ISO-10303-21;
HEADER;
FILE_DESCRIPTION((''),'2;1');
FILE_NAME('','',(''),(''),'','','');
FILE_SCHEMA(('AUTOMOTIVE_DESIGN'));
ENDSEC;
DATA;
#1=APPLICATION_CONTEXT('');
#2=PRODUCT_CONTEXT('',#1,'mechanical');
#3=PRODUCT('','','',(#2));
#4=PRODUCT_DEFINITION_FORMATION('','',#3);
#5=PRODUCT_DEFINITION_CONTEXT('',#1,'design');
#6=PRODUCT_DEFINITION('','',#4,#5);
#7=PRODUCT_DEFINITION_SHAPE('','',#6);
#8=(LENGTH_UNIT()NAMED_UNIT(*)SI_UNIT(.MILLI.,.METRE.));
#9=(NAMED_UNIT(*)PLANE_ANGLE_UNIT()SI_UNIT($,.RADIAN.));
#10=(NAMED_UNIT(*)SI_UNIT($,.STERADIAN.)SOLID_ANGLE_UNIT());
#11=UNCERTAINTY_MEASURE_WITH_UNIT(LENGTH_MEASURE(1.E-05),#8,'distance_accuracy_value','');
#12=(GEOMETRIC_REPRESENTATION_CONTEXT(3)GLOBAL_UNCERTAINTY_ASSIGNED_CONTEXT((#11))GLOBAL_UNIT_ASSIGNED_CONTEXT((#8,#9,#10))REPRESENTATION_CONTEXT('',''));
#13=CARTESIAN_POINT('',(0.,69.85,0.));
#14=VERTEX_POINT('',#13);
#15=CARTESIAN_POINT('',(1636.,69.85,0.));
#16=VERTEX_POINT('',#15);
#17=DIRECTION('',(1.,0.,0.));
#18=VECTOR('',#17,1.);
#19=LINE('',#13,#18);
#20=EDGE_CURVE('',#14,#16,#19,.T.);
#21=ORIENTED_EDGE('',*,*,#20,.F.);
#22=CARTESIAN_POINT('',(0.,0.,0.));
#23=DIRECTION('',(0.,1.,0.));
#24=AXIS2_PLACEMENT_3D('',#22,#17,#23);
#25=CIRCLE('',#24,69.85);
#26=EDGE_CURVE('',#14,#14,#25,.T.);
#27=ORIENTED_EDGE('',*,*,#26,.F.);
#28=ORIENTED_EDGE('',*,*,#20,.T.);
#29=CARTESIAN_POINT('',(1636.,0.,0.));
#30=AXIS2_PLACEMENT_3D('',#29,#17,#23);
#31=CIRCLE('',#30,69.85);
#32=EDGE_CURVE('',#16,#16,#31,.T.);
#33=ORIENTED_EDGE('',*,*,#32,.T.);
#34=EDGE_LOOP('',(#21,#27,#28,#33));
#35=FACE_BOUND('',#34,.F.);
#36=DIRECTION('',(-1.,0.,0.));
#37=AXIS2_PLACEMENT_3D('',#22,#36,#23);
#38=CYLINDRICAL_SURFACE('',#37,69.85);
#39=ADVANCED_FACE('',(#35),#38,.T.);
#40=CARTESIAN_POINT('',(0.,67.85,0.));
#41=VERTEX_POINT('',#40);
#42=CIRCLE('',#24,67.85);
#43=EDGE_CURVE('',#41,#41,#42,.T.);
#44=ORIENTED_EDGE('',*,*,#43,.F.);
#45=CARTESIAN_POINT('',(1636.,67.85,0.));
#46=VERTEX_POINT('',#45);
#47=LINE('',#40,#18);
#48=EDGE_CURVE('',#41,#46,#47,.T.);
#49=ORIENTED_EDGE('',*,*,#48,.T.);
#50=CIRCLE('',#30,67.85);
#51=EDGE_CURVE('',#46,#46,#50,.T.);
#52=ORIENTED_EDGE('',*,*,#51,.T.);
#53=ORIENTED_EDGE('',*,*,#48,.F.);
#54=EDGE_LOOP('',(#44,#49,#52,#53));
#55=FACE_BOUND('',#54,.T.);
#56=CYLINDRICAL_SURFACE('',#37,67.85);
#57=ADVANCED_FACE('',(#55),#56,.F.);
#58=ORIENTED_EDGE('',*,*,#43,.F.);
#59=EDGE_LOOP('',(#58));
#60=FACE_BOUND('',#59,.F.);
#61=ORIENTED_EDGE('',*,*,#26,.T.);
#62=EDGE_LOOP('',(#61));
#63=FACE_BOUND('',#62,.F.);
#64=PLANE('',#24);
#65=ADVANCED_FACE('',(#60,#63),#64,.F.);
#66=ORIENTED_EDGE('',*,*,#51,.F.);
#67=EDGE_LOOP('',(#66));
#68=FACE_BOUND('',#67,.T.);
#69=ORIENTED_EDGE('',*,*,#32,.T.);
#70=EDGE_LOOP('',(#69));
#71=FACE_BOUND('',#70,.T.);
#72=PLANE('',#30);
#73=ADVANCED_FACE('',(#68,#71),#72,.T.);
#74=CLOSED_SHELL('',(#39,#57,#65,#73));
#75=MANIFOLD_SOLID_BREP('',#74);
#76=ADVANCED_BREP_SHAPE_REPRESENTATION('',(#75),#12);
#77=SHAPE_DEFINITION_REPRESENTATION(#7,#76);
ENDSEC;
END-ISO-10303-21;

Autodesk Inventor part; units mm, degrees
ref_plane "YZ Plane" through (0, 0, 0) normal (1, 0, 0) x (0, 1, 0)
ref_plane "XZ Plane" through (0, 0, 0) normal (0, 1, 0) x (-1, 0, 0)
ref_plane "XY Plane" through (0, 0, 0) normal (0, 0, 1) x (1, 0, 0)
sketch "Sketch1" plane through (0, 0, 0) normal (1, 0, 0) x (0, 1, 0)
  circle A0 centre (0, 0) radius 69.85
  circle A1 centre (0, 0) radius 67.85
  dimension "d0" = 139.7
  dimension "d1" = 2
extrude "Extrusion1" add sketch "Sketch1" along normal blind 1636
equation "\"d0\" = OD"
equation "\"d1\" = t"
equation "\"d2\" = L"
equation "\"OD\" = 139.7"
equation "\"t\" = 2"
equation "\"L\" = PL"
equation "\"ID\" = 135.7"
equation "\"PL\" = 1636"
equation "\"Size_Designation\" = 1.2345"
properties material "Steel"
